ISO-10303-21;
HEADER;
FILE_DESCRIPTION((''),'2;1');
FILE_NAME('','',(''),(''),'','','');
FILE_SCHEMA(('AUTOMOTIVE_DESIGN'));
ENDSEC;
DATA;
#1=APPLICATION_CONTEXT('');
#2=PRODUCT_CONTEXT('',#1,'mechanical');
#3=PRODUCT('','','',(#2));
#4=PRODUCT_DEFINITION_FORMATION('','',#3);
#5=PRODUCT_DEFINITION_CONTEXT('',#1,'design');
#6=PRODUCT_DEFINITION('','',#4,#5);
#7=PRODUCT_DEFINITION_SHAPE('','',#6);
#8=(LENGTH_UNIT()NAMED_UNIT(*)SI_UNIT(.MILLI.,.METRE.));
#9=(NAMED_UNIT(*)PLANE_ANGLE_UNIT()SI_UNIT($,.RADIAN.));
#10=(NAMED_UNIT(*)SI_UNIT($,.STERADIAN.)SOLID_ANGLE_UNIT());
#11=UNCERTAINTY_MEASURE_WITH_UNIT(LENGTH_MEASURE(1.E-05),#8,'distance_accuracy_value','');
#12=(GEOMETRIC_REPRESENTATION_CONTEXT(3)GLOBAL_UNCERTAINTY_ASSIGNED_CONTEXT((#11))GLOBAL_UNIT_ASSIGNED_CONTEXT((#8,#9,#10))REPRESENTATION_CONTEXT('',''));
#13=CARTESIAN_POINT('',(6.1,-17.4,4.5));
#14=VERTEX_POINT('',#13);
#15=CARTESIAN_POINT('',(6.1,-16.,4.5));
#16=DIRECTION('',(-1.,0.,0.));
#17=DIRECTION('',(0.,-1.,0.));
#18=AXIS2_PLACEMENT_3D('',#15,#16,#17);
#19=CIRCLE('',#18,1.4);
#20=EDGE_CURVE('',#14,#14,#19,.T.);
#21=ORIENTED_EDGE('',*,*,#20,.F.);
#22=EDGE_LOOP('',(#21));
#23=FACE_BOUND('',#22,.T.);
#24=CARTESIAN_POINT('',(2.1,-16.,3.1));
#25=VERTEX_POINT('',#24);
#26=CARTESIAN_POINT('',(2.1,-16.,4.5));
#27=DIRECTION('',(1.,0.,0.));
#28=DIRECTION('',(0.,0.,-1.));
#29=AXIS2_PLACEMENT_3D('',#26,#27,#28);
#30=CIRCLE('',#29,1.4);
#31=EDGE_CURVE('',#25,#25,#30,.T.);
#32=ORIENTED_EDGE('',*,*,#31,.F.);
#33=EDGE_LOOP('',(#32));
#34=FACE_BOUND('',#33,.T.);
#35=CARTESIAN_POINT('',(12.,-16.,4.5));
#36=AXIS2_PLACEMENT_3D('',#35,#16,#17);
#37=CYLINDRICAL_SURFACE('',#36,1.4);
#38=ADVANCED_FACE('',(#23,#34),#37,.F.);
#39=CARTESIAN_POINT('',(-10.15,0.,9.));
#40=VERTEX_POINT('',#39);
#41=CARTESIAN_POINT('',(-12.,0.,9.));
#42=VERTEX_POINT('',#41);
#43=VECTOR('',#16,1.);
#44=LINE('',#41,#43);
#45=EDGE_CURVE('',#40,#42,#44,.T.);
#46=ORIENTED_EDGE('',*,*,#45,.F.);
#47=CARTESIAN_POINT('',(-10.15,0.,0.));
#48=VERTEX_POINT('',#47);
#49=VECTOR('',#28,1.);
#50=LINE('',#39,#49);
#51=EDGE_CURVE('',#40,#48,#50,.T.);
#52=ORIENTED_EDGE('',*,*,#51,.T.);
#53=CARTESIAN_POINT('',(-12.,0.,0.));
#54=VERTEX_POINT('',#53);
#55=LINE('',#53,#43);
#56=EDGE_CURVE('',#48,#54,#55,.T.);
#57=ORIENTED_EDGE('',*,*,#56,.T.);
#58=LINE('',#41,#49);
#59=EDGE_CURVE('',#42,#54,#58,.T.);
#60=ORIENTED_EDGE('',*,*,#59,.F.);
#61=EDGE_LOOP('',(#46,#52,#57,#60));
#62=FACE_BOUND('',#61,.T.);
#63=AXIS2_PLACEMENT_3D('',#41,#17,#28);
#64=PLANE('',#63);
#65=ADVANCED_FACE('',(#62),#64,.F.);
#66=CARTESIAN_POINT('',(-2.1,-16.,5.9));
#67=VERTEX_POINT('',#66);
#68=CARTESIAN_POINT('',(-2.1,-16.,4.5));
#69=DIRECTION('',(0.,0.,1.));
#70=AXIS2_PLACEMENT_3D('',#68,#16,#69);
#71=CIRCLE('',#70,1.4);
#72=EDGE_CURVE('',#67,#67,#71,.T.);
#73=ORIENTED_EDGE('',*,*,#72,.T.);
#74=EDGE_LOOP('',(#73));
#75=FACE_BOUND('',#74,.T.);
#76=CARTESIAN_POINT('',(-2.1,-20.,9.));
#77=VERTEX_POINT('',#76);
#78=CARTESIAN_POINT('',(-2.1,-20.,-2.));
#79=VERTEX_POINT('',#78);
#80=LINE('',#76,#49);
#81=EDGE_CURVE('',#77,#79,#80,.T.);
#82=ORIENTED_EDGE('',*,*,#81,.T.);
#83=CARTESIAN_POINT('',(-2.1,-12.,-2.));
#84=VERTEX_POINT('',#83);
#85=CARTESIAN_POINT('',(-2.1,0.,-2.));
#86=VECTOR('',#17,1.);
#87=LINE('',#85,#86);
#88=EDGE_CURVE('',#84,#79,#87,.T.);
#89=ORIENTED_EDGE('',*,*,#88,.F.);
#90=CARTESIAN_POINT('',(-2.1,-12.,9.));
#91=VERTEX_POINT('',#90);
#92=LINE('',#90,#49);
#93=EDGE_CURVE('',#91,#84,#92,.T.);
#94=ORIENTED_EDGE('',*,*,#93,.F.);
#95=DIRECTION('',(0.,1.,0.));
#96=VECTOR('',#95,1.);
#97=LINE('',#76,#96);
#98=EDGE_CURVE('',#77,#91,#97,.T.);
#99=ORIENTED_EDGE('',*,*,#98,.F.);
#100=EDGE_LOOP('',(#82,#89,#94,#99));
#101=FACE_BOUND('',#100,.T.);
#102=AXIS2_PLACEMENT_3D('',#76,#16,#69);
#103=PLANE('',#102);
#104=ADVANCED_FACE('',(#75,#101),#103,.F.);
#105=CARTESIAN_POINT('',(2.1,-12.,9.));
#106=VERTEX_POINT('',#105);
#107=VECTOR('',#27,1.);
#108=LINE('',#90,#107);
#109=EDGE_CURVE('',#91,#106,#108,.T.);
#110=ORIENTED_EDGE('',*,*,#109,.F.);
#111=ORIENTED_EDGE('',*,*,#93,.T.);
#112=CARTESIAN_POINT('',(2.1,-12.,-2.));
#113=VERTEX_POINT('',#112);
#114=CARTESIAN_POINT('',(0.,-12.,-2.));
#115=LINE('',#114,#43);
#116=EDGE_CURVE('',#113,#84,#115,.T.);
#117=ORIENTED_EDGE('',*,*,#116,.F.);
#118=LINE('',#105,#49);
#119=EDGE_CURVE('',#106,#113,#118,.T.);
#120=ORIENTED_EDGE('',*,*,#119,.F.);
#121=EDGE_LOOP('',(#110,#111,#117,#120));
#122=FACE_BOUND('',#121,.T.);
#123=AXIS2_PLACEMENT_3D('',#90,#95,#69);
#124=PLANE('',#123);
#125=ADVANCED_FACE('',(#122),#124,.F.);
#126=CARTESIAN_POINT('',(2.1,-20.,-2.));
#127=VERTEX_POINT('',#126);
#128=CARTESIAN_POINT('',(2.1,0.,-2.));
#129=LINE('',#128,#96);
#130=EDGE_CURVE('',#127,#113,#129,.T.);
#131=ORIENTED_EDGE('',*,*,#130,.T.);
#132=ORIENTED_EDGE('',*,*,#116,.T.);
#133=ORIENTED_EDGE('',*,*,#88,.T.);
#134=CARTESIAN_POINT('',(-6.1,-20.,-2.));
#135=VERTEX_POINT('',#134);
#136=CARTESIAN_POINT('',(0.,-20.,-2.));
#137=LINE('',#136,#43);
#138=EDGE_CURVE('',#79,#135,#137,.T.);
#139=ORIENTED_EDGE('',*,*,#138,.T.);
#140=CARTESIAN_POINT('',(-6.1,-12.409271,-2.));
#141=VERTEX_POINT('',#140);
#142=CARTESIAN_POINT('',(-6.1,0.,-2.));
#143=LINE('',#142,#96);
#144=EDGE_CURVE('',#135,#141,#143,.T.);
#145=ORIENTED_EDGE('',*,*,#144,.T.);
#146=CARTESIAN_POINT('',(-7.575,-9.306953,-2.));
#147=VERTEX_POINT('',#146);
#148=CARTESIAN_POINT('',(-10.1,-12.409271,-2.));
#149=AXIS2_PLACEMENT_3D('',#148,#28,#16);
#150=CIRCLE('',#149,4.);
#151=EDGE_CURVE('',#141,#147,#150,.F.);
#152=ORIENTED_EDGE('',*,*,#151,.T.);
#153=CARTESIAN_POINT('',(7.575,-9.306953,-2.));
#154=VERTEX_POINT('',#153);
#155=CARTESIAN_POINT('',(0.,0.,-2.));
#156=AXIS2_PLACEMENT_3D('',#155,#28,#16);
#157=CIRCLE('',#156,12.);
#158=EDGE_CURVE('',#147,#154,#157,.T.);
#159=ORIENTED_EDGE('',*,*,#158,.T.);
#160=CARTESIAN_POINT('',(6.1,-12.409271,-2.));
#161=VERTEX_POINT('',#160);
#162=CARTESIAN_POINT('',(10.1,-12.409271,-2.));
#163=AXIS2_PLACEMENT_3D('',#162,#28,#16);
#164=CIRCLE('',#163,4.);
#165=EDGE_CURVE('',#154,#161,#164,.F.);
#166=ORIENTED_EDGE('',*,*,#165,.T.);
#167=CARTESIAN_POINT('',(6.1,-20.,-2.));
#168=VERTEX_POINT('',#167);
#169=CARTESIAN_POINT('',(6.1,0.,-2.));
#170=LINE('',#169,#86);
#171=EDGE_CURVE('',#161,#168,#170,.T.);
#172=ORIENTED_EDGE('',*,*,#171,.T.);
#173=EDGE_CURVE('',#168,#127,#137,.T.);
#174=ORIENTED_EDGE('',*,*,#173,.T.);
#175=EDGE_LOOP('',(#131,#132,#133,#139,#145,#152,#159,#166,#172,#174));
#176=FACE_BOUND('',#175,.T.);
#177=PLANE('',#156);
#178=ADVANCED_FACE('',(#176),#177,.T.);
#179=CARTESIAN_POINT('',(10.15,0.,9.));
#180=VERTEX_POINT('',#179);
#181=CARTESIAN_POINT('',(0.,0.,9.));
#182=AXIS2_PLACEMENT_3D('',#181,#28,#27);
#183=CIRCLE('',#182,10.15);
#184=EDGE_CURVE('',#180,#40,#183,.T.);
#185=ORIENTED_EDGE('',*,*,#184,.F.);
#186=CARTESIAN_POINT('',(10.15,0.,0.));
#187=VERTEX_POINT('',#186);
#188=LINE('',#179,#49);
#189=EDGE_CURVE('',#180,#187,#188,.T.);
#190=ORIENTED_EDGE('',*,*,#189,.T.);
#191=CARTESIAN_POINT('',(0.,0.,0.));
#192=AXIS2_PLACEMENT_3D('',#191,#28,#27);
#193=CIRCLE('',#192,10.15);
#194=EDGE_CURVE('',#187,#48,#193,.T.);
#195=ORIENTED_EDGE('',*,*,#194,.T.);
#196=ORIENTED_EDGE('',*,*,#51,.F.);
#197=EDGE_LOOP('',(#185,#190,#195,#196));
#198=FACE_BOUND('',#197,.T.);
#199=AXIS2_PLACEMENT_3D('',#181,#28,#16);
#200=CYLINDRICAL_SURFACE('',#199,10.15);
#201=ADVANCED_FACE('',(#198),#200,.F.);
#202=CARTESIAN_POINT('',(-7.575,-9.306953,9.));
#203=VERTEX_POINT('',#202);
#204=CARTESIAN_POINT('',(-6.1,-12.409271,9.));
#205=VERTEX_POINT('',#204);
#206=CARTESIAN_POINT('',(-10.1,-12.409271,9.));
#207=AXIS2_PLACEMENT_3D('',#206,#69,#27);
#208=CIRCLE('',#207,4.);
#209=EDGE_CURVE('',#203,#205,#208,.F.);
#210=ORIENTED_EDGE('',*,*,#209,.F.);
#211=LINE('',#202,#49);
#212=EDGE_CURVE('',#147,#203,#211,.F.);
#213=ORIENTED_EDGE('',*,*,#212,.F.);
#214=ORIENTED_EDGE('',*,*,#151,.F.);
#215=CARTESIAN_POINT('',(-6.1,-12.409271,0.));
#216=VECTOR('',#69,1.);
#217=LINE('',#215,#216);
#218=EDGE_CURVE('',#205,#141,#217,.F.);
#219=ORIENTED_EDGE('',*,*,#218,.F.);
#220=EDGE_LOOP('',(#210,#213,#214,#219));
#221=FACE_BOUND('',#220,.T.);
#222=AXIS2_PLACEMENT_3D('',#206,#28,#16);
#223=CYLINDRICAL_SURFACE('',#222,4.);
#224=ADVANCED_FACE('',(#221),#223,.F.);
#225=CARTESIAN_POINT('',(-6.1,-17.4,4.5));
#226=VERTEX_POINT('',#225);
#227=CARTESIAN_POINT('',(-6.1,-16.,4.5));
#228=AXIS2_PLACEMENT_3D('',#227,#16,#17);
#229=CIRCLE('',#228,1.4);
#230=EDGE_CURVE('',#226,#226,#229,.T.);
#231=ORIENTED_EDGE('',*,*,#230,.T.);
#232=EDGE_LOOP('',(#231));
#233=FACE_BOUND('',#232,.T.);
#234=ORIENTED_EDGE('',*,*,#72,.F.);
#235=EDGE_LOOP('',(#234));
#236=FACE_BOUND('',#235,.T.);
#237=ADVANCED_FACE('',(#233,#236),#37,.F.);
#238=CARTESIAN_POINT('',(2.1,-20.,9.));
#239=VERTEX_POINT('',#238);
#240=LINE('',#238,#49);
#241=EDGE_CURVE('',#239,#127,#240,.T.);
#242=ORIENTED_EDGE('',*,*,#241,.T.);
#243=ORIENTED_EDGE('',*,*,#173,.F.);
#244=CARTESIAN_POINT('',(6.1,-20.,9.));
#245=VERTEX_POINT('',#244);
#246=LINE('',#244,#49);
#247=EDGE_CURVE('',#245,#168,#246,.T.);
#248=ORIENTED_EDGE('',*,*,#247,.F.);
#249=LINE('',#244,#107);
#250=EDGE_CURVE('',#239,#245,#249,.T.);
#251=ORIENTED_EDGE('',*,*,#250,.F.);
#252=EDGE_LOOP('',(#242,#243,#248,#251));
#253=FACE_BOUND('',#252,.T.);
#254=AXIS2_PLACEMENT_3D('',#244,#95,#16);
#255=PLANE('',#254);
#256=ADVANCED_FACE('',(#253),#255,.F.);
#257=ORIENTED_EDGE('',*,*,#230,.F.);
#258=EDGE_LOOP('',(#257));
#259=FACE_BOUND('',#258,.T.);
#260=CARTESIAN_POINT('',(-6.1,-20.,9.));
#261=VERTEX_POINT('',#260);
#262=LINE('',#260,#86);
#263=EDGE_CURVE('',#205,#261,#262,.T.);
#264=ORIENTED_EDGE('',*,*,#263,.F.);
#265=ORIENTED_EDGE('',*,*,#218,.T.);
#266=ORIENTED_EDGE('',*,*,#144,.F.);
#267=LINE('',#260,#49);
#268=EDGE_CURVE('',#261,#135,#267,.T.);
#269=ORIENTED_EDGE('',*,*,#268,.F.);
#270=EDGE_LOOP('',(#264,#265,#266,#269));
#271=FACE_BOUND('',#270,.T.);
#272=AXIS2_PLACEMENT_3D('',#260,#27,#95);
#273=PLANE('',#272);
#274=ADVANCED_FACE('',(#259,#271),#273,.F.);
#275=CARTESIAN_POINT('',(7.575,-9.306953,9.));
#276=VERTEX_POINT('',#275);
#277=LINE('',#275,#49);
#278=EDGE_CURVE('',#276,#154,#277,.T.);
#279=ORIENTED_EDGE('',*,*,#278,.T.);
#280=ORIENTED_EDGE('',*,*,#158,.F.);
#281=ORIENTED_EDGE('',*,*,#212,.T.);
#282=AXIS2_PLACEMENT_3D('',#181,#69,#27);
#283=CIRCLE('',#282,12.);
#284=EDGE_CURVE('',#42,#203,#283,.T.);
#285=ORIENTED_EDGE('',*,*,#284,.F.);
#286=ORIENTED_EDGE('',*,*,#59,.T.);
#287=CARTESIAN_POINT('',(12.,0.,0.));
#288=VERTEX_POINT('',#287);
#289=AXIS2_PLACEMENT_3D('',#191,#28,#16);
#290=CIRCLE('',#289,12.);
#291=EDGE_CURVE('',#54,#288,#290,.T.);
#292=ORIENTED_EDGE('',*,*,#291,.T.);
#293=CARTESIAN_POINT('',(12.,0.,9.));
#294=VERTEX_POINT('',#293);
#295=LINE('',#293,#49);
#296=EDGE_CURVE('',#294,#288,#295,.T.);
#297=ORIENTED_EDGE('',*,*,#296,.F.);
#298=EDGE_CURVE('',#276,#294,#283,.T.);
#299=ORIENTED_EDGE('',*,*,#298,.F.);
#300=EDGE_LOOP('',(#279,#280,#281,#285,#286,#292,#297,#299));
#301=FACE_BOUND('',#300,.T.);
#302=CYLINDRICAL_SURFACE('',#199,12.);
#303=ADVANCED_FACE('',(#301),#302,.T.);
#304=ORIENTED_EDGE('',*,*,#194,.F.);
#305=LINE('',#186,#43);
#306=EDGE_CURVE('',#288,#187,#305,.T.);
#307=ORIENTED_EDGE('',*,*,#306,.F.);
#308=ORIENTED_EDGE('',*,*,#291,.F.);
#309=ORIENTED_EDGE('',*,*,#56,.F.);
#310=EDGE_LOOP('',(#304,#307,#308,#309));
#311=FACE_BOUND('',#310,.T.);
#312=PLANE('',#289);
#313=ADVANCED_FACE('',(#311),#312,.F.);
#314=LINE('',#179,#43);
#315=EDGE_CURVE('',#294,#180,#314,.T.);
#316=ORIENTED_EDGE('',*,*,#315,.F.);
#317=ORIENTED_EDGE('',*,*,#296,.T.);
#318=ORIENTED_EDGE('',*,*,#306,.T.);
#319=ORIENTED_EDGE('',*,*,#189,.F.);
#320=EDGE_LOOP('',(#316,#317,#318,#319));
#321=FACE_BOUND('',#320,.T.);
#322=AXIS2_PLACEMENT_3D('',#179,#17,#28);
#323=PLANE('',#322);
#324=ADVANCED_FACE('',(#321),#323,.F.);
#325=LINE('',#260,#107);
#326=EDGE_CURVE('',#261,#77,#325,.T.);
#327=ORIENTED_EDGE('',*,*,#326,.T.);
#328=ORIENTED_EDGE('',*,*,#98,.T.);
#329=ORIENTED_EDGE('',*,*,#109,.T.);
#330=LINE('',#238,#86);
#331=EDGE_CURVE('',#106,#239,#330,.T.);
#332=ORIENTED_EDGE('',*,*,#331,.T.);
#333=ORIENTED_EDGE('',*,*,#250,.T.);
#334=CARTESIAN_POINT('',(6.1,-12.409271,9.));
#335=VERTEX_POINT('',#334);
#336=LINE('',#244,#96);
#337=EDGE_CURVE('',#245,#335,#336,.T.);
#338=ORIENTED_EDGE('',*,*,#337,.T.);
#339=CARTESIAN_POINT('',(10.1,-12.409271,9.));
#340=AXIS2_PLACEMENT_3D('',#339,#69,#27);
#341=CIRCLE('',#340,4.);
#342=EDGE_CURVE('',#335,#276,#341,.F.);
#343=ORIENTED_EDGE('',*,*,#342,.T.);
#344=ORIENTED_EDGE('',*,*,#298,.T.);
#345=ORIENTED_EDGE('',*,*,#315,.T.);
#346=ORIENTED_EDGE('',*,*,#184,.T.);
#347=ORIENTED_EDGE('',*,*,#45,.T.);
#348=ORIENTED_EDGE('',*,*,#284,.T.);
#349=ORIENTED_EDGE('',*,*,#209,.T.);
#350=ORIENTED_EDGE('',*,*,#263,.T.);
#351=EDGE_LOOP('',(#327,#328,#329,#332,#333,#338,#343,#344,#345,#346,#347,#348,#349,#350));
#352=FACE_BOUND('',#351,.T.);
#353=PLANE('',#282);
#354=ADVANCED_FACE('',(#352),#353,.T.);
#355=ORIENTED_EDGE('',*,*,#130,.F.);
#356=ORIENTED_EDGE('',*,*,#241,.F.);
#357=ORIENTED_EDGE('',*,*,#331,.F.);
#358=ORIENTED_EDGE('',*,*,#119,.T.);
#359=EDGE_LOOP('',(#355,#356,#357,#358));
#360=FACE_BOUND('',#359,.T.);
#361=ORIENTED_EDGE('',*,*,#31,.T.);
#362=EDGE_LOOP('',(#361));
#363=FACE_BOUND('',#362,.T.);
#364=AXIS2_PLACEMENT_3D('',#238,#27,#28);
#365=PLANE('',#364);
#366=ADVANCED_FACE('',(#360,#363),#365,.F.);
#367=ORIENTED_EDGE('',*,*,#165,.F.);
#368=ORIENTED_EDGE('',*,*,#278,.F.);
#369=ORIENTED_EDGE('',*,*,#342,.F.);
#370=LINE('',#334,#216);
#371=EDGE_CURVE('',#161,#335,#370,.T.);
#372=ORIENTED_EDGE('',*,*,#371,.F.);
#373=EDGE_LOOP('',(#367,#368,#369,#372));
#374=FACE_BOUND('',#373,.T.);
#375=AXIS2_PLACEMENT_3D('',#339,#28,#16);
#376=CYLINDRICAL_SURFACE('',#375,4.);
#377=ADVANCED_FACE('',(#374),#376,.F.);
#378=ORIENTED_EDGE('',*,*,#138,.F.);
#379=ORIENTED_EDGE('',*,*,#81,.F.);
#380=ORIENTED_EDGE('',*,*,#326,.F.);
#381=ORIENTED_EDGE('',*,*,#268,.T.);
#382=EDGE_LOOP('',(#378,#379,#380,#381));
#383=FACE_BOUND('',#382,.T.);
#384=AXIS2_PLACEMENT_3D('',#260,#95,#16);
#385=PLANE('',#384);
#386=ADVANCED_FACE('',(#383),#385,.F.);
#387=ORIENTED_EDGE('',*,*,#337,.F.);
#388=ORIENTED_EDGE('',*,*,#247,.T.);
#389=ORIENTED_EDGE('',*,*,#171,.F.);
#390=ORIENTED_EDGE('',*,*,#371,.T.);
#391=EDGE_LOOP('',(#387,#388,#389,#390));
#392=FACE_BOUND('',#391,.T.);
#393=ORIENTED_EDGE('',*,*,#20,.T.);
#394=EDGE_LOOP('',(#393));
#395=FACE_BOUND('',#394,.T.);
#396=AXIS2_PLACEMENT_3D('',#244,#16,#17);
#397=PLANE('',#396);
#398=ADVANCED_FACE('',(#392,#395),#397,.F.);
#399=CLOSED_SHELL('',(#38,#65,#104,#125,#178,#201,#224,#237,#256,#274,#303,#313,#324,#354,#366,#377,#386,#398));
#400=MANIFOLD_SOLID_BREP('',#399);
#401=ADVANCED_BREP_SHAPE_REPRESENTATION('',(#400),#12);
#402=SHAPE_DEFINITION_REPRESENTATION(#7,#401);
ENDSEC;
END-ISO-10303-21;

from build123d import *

# Parameters (mm, degrees)
EXTRUDE_1_DEPTH     = 9
SKETCH_3_R          = 1.4
CUT_EXTRUDE_1_DEPTH = 29.436068645
FILLET_1_R          = 4
EXTRUDE_START       = 2
EXTRUDE_2_DEPTH     = 2


with BuildPart() as part:
    # 草图1 → 凸台-拉伸1 (new body)
    with BuildSketch(Plane.XY):
        with BuildLine():
            Line((-6.1, -20), (-2.1, -20))
            Line((-2.1, -20), (-2.1, -12))
            Line((-2.1, -12), (2.1, -12))
            Line((2.1, -12), (2.1, -20))
            Line((2.1, -20), (6.1, -20))
            Line((6.1, -20), (6.1, -10.333924714))
            ThreePointArc((6.1, -10.333924714), (10.421132376, -5.949789912), (12, 0))
            Line((12, 0), (10.15, 0))
            ThreePointArc((10.15, 0), (0, -10.15), (-10.15, 0))
            Line((-10.15, 0), (-12, 0))
            ThreePointArc((-12, 0), (-10.421132376, -5.949789912), (-6.1, -10.333924714))
            Line((-6.1, -10.333924714), (-6.1, -20))
        make_face()
    extrude(amount=EXTRUDE_1_DEPTH)

    # 草图3 → 切除-拉伸1 (cut, through all)
    with BuildSketch(Plane.ZY.offset(6.1)):
        with Locations(Location((4.5, -16, 0), (0, 0, 270))):
            Circle(SKETCH_3_R)
    extrude(amount=-CUT_EXTRUDE_1_DEPTH, mode=Mode.SUBTRACT)

    # 圆角1
    fillet_1_edges = [part.edges().sort_by_distance(p)[0] for p in [
        (-6.1, -10.333924714, 4.5),
        (6.1, -10.333924714, 4.5),
    ]]
    fillet(fillet_1_edges, radius=FILLET_1_R)

    # 草图4 → 凸台-拉伸2 (add)
    with BuildSketch(Plane(origin=(0, 0, 0), x_dir=(-1, 0, 0), z_dir=(0, 0, -1)).offset(EXTRUDE_START)):
        with BuildLine():
            ThreePointArc((12, 0), (0, 12), (-12, 0))
            Line((-12, 0), (-10.15, 0))
            ThreePointArc((-10.15, 0), (0, -10.15), (10.15, 0))
            Line((10.15, 0), (12, 0))
        make_face()
        with BuildLine():
            Line((-2.1, -20), (-2.1, -12))
            Line((-2.1, -12), (2.1, -12))
            Line((2.1, -12), (2.1, -20))
            Line((2.1, -20), (6.1, -20))
            Line((6.1, -20), (6.1, -12.409270728))
            ThreePointArc((6.1, -12.409270728), (6.487521626, -10.691714324), (7.575, -9.306953046))
            ThreePointArc((7.575, -9.306953046), (10.837435121, -5.152669211), (12, 0))
            Line((12, 0), (10.15, 0))
            ThreePointArc((10.15, 0), (0, -10.15), (-10.15, 0))
            Line((-10.15, 0), (-12, 0))
            ThreePointArc((-12, 0), (-10.837435121, -5.152669211), (-7.575, -9.306953046))
            ThreePointArc((-7.575, -9.306953046), (-6.487521626, -10.691714324), (-6.1, -12.409270728))
            Line((-6.1, -12.409270728), (-6.1, -20))
            Line((-6.1, -20), (-2.1, -20))
        make_face()
    extrude(amount=-EXTRUDE_2_DEPTH)


solid = part.part
